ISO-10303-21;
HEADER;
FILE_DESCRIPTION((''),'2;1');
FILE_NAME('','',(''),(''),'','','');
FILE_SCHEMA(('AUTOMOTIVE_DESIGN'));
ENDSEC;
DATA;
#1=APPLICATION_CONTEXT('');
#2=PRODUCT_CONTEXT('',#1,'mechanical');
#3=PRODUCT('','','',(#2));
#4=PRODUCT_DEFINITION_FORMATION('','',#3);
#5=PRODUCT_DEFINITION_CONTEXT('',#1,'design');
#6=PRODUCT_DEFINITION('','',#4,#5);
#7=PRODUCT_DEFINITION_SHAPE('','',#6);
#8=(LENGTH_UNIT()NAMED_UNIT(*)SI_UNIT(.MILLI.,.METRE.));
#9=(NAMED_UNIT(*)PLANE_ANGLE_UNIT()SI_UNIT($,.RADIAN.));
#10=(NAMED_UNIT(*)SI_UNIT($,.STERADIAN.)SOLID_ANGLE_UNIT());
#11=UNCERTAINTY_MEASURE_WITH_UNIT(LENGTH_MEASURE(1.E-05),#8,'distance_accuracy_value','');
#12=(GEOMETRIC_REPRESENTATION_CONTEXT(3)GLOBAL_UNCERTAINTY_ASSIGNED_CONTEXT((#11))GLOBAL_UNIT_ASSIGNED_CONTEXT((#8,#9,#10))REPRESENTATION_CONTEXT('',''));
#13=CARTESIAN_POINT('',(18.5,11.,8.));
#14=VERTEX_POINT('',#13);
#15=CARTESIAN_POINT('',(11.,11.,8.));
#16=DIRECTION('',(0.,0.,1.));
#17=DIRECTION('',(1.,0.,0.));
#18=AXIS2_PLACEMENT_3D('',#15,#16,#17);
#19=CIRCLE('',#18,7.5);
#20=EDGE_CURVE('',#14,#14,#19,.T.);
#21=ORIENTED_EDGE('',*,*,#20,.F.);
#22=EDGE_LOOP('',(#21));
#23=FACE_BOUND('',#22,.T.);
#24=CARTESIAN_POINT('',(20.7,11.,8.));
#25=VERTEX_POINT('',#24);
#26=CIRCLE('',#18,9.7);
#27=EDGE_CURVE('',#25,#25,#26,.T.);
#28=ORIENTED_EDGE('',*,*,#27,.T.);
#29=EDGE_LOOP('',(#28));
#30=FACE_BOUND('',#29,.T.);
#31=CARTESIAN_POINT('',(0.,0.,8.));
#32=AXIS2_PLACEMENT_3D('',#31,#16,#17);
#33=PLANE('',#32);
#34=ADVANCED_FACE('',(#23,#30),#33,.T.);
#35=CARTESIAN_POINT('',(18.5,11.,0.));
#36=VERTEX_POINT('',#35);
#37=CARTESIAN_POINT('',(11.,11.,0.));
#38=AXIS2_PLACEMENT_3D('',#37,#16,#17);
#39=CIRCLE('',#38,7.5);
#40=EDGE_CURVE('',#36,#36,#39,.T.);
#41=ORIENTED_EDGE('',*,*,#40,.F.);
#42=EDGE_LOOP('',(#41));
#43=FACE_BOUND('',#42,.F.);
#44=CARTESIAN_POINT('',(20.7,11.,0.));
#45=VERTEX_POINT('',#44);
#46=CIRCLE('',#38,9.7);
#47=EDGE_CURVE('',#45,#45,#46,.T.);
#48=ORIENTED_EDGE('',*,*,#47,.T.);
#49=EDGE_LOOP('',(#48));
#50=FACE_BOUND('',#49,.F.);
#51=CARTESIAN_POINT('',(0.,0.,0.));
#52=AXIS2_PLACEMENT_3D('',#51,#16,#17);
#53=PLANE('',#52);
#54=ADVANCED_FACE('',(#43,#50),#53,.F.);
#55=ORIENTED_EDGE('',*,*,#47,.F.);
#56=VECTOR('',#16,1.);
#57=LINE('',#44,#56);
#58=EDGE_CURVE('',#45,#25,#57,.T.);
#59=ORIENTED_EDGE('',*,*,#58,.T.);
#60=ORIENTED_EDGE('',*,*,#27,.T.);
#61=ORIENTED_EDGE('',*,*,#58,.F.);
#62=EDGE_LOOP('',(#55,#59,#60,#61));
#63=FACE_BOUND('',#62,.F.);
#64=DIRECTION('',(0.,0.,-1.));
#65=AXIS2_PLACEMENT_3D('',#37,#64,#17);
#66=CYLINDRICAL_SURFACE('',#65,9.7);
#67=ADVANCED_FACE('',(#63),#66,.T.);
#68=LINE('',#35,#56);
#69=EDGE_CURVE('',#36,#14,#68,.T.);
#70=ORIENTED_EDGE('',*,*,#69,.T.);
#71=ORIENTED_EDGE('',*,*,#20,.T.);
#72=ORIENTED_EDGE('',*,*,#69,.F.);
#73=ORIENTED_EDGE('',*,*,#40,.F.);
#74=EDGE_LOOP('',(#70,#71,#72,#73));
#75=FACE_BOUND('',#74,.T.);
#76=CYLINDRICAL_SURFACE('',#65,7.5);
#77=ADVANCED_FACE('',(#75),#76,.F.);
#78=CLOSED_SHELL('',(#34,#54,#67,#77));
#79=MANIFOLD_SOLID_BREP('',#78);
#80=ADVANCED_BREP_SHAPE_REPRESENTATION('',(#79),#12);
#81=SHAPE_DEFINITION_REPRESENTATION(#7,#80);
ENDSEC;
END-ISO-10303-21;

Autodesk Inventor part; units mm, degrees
ref_plane "YZ Plane" through (0, 0, 0) normal (1, 0, 0) x (0, 1, 0)
ref_plane "XZ Plane" through (0, 0, 0) normal (0, 1, 0) x (-1, 0, 0)
ref_plane "XY Plane" through (0, 0, 0) normal (0, 0, 1) x (1, 0, 0)
sketch "Boceto1" plane through (0, 0, 0) normal (0, 0, 1) x (1, 0, 0)
  circle A0 centre (11, 11) radius 7.3 projected
  circle A1 centre (11, 11) radius 9.7
  circle A2 centre (11, 11) radius 7.5
  point P0 (0, 0)
  dimension "d0" = 2.4
  dimension "d3" = 0.2
extrude "Extrusión1" add sketch "Boceto1" along normal blind 8 contours A1
properties part number "Separadores"
